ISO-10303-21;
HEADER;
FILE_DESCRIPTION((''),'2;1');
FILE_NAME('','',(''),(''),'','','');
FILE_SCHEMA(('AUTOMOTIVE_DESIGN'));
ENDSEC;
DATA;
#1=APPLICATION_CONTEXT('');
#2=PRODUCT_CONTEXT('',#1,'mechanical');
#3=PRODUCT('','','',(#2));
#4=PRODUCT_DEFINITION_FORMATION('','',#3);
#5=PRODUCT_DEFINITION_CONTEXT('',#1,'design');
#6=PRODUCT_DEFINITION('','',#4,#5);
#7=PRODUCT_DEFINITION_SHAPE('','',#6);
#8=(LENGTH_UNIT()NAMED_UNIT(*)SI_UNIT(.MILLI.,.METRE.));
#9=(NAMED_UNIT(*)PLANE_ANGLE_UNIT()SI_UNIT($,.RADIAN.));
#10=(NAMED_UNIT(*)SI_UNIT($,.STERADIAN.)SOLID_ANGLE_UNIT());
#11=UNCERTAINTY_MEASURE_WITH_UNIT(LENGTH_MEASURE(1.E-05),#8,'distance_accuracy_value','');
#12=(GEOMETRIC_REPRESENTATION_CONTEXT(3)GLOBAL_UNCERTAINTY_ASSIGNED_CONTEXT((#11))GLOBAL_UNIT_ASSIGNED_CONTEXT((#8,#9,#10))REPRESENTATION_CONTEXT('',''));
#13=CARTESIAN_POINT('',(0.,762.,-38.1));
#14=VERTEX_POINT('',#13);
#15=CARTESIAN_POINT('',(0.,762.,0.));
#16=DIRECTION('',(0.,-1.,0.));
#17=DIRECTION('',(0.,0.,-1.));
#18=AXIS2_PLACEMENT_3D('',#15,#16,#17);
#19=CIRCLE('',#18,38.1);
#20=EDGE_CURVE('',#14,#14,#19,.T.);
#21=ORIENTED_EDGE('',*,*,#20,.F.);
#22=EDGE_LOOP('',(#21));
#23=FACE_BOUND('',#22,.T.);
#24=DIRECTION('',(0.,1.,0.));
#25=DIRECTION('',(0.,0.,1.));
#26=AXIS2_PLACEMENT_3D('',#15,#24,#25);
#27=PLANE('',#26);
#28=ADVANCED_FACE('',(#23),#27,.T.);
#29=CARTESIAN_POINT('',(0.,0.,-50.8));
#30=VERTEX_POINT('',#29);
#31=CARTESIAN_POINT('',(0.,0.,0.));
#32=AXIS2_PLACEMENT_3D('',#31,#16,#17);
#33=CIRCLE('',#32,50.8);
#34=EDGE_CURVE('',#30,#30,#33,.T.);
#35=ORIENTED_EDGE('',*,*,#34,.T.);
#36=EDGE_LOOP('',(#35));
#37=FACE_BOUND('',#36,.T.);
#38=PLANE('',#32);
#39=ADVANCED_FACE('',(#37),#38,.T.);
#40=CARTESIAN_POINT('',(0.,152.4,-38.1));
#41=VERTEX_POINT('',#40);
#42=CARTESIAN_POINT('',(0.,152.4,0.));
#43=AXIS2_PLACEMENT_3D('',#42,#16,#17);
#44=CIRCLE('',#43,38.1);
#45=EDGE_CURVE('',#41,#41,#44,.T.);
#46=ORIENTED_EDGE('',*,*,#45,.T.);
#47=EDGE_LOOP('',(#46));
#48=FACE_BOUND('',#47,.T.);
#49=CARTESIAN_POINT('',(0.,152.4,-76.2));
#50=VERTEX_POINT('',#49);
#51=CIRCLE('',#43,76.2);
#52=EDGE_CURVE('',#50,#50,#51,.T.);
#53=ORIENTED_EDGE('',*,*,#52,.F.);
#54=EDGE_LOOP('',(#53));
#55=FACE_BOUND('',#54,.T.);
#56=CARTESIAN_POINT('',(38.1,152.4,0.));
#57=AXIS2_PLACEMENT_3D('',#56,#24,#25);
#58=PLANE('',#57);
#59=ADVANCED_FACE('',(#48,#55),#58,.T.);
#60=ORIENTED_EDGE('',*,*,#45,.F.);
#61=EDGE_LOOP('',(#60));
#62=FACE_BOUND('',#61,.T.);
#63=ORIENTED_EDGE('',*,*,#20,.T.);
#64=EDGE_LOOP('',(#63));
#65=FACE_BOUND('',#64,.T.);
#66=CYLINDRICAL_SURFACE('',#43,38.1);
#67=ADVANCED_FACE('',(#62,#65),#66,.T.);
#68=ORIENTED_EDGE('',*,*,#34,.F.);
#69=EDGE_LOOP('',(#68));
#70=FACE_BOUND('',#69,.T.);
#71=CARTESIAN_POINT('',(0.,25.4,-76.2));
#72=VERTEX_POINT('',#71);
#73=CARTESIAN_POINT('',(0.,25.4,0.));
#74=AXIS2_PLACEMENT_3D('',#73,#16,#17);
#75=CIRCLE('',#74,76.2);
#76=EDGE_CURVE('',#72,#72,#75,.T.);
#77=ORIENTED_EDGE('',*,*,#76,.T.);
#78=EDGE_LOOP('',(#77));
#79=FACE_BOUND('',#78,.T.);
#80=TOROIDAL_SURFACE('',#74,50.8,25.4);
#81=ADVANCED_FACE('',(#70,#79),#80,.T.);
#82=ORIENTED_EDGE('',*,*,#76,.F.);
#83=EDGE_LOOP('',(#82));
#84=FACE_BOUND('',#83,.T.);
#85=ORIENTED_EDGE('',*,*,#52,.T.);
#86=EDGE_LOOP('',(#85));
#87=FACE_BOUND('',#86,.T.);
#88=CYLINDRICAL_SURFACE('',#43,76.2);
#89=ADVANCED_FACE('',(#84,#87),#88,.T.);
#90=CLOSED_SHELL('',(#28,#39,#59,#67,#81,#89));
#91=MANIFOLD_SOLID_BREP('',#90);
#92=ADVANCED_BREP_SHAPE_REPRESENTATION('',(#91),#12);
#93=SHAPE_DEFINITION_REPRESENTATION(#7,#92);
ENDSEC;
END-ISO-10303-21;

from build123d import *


with BuildPart() as part:
    # Sketch1 → Revolve1 (revolve)
    with BuildSketch(Plane.XY):
        with BuildLine():
            Line((0, 0), (50.8, 0))
            ThreePointArc((50.8, 0), (68.760512242, 7.439487758), (76.2, 25.4))
            Line((76.2, 25.4), (76.2, 152.4))
            Line((76.2, 152.4), (38.1, 152.4))
            Line((38.1, 152.4), (38.1, 762))
            Line((38.1, 762), (0, 762))
            Line((0, 762), (0, 152.4))
            Line((0, 152.4), (0, 0))
        make_face()
    revolve(axis=Axis((0, 152.4, 0), (0, 1, 0)))


solid = part.part
